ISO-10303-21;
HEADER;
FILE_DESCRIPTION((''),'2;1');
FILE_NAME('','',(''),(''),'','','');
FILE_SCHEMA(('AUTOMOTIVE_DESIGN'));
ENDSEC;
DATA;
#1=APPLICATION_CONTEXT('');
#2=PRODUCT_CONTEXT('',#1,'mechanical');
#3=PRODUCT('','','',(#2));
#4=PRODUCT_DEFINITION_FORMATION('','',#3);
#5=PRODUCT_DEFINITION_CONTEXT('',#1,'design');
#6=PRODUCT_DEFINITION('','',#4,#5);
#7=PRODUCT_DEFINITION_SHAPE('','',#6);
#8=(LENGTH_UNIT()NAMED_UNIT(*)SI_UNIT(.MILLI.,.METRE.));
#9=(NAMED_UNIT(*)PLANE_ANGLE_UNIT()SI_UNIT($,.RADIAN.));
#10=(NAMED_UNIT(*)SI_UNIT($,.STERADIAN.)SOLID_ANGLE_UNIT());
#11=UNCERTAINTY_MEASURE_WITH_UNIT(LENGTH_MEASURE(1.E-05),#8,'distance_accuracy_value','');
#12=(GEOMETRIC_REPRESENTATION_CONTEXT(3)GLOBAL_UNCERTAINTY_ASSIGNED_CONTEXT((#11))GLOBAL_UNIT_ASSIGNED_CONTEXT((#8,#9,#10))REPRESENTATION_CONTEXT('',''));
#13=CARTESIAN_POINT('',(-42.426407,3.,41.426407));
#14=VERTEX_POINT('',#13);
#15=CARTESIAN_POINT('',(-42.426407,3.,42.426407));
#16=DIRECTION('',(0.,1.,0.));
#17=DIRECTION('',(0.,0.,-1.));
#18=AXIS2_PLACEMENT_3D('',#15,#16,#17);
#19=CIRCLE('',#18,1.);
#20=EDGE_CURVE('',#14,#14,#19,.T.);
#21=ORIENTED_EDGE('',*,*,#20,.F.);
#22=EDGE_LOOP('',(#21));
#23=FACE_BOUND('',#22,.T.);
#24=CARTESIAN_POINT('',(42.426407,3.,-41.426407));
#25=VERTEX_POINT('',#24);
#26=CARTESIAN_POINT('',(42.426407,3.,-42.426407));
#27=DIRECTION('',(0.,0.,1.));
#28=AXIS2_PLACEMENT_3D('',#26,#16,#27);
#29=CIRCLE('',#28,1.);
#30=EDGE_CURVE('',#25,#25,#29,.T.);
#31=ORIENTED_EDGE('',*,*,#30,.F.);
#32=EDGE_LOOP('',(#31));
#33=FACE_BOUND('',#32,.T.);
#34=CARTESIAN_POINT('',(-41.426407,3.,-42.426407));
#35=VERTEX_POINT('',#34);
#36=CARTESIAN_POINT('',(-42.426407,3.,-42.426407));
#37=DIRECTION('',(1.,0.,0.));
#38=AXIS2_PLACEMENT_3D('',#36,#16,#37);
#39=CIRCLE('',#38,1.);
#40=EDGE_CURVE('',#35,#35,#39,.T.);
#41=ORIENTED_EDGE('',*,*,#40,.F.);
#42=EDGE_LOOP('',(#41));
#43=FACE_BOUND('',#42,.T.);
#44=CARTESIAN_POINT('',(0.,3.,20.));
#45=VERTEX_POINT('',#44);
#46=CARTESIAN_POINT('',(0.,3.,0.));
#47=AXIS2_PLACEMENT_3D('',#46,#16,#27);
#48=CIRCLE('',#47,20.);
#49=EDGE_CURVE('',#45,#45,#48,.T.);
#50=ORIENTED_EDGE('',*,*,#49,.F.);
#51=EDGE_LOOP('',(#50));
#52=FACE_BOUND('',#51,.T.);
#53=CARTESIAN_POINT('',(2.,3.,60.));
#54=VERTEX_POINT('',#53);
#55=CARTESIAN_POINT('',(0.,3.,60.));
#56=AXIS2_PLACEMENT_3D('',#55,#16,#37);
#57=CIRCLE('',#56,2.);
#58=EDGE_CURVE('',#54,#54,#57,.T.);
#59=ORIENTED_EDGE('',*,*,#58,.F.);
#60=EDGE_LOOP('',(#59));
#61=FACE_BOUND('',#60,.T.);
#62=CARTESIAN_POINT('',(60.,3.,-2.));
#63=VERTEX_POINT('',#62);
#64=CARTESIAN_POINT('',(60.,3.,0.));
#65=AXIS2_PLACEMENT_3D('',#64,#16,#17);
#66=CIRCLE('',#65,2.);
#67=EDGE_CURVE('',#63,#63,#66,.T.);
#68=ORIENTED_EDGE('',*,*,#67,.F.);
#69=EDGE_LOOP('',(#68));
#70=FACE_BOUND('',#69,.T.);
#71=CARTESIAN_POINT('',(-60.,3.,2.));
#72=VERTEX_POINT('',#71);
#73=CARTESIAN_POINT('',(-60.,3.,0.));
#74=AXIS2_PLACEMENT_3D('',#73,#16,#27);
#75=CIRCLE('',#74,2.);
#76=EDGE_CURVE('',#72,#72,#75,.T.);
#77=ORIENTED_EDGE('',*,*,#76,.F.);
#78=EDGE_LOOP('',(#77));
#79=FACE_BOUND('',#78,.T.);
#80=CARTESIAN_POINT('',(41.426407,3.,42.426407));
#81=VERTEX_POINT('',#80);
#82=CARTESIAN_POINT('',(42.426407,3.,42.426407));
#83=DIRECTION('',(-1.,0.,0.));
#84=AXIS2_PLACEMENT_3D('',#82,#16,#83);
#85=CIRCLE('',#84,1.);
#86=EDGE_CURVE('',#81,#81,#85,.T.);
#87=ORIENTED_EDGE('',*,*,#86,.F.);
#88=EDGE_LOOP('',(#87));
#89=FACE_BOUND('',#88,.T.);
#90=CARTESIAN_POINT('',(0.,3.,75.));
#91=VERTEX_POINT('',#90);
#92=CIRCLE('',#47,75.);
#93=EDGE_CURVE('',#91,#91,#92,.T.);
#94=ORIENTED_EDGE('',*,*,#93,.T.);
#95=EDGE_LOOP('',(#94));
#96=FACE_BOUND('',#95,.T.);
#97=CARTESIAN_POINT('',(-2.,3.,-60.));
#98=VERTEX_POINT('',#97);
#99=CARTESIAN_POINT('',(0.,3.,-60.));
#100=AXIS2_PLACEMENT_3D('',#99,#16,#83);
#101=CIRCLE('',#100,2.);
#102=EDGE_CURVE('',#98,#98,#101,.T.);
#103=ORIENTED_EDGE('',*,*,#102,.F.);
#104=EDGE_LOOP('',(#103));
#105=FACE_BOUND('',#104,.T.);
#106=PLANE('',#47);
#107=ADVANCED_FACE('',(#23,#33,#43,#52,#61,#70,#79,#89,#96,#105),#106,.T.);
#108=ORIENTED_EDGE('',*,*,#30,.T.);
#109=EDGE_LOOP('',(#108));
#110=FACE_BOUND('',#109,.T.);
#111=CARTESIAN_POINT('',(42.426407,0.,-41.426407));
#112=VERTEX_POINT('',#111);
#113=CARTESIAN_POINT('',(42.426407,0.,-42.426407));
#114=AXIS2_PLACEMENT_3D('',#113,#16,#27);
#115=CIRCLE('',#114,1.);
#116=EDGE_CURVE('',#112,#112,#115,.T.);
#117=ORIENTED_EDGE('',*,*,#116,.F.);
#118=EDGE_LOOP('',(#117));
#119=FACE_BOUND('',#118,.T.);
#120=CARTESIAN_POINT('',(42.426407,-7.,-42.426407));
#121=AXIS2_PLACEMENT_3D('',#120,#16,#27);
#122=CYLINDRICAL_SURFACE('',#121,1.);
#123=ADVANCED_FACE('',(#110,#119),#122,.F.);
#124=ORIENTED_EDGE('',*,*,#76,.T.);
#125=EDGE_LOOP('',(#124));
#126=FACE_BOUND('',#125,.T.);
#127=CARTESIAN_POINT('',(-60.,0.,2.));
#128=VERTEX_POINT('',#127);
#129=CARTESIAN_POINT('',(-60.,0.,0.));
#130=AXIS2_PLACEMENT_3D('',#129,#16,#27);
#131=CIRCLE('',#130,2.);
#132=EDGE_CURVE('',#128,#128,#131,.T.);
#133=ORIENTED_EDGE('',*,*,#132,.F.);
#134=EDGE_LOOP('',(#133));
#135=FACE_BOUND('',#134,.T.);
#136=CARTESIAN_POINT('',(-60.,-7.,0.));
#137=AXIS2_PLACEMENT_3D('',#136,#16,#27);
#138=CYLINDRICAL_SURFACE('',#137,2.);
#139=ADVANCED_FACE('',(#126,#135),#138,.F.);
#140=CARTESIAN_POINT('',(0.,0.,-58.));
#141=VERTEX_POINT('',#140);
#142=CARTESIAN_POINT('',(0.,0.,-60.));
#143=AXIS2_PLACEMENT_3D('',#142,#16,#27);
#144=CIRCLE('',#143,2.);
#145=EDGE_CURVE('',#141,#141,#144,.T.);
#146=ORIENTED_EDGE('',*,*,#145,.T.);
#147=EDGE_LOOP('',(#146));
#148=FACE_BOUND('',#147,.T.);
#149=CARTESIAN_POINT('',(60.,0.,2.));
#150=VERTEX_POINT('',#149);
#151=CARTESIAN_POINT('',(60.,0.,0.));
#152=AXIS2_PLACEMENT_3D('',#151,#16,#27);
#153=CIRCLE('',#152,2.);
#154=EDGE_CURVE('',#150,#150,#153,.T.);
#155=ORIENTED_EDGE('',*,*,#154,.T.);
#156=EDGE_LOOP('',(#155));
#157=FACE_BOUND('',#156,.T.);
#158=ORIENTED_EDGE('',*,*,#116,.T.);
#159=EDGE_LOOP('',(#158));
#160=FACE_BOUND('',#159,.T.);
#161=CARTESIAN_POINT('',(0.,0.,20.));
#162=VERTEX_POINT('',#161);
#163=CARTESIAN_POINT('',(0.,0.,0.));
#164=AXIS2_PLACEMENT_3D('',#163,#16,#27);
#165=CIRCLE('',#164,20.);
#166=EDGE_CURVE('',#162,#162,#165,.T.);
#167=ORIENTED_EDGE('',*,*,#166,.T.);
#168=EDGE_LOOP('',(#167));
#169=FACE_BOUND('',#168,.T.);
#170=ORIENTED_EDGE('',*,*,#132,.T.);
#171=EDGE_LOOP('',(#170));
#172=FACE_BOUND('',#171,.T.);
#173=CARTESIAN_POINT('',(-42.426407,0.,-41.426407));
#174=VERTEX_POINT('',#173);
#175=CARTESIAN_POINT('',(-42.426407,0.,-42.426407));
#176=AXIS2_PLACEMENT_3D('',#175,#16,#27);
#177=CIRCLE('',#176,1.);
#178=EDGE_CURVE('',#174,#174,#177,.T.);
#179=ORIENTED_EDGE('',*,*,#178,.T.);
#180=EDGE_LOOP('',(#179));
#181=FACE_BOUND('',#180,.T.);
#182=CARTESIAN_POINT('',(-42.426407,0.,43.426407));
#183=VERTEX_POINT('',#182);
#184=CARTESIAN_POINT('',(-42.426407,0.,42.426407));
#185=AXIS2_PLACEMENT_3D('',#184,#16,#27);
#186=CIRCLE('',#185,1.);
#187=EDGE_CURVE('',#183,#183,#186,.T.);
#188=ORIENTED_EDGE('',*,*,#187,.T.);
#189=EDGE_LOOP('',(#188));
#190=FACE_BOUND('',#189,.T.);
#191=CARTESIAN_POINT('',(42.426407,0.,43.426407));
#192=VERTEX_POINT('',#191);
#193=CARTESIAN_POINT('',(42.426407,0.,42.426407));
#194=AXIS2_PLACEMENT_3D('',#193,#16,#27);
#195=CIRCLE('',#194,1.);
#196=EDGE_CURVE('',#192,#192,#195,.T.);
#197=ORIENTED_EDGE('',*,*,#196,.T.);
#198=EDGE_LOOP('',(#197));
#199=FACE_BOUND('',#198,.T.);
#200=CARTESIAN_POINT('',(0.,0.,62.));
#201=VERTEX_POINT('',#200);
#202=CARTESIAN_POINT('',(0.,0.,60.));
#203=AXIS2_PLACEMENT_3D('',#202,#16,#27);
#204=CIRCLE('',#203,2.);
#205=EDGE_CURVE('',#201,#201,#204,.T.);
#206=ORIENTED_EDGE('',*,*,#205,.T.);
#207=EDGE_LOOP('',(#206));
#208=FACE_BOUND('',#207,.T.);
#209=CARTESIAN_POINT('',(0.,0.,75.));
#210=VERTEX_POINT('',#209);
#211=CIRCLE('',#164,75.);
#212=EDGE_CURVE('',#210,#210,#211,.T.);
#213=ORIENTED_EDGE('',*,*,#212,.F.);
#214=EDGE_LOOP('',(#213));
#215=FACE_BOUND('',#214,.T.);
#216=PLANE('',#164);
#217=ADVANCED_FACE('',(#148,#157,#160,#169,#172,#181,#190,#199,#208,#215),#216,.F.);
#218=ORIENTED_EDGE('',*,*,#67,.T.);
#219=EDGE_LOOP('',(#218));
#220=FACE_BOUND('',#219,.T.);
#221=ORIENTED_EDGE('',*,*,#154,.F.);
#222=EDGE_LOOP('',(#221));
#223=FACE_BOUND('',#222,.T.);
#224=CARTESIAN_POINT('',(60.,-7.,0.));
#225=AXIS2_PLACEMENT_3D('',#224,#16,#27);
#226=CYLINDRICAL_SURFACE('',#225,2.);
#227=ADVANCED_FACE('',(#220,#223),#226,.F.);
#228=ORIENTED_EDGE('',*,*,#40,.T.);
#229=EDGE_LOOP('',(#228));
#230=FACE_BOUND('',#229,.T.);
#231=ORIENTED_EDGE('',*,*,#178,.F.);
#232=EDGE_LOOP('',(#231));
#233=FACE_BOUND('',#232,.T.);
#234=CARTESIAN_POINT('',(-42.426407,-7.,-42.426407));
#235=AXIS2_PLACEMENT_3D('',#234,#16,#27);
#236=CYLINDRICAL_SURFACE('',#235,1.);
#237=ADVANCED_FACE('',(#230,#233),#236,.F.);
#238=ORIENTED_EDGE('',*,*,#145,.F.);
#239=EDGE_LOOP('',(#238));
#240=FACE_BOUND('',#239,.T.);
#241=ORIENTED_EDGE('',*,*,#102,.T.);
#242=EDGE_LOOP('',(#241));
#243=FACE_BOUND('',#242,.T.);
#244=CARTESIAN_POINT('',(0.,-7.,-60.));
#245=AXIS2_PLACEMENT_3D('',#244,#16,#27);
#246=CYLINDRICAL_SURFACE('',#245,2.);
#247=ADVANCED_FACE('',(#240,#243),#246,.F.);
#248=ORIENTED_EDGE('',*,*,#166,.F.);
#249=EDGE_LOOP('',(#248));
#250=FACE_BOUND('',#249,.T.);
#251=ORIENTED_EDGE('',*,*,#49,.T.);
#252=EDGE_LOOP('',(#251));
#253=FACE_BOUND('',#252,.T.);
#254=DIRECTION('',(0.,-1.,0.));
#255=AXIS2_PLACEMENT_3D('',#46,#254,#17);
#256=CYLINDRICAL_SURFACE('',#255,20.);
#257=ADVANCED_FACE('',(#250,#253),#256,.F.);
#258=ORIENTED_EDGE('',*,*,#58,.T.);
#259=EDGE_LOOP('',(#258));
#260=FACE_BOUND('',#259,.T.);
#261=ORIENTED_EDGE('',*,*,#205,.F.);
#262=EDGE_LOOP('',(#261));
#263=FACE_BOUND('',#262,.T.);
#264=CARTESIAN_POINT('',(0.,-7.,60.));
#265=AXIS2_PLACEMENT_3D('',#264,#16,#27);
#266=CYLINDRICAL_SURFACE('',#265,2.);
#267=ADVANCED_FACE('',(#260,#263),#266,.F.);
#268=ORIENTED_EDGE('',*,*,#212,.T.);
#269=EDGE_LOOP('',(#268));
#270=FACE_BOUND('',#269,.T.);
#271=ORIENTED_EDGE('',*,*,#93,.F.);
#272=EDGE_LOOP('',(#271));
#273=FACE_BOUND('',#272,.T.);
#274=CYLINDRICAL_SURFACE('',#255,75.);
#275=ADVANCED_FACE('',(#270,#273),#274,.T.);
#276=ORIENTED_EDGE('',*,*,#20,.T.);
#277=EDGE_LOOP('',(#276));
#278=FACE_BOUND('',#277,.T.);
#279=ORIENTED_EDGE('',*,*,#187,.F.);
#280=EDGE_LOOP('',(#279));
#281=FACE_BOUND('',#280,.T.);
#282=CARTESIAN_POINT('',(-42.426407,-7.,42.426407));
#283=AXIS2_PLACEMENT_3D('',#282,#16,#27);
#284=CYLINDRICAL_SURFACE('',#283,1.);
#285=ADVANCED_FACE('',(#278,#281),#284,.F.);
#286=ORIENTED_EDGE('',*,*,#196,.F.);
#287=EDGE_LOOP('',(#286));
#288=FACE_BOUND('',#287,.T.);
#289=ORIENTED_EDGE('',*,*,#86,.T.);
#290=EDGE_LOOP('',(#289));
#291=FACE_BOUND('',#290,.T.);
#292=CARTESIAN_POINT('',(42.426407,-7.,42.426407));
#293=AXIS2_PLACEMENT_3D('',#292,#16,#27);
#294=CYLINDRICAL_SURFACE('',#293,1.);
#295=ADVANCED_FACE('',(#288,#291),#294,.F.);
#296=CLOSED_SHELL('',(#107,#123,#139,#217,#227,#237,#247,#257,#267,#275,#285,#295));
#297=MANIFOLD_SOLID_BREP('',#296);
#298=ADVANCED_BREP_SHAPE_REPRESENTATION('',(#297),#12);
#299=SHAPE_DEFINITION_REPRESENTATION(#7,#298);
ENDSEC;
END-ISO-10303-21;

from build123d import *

# Parameters (mm, degrees)
SKETCH_1_R               = 75
SKETCH_1_R_2             = 20
EXTRUDE_1_DEPTH          = 3
SKETCH_2_R               = 1
CUT_EXTRUDE_3_DEPTH      = 10
PATTERN_CIRCULAR_3_COUNT = 4
SKETCH_3_R               = 2
CUT_EXTRUDE_4_DEPTH      = 10
PATTERN_CIRCULAR_4_COUNT = 4


with BuildPart() as part:
    # 草圖1 → 填料-伸長1 (new body)
    with BuildSketch(Plane(origin=(0, 0, 0), x_dir=(1, 0, 0), z_dir=(0, 1, 0))):
        with Locations(Location((0, 0, 0), (0, 0, 270))):
            Circle(SKETCH_1_R)
        with Locations(Location((0, 0, 0), (0, 0, 270))):
            Circle(SKETCH_1_R_2, mode=Mode.SUBTRACT)
    extrude(amount=EXTRUDE_1_DEPTH)

    # 草圖2 → 除料-伸長3 (cut)
    with BuildSketch(Plane(origin=(0, 3, 0), x_dir=(1, 0, 0), z_dir=(0, 1, 0))):
        with Locations(Location((42.426406871, 42.426406871, 0), (0, 0, 270))):
            Circle(SKETCH_2_R)
    cut_extrude_3 = extrude(amount=-CUT_EXTRUDE_3_DEPTH, mode=Mode.SUBTRACT)

    # 環狀複製排列3: 除料-伸長3 ×4 about axis
    pattern_circular_3_axis = Axis((0, 0, 0), (0, 1, 0))
    for i in range(1, PATTERN_CIRCULAR_3_COUNT):
        add(cut_extrude_3.rotate(pattern_circular_3_axis, i * 360 / PATTERN_CIRCULAR_3_COUNT), mode=Mode.SUBTRACT)

    # 草圖3 → 除料-伸長4 (cut)
    with BuildSketch(Plane(origin=(0, 3, 0), x_dir=(1, 0, 0), z_dir=(0, 1, 0))):
        with Locations(Location((-60, 0, 0), (0, 0, 270))):
            Circle(SKETCH_3_R)
    cut_extrude_4 = extrude(amount=-CUT_EXTRUDE_4_DEPTH, mode=Mode.SUBTRACT)

    # 環狀複製排列4: 除料-伸長4 ×4 about axis
    pattern_circular_4_axis = Axis((0, 0, 0), (0, 1, 0))
    for i in range(1, PATTERN_CIRCULAR_4_COUNT):
        add(cut_extrude_4.rotate(pattern_circular_4_axis, i * 360 / PATTERN_CIRCULAR_4_COUNT), mode=Mode.SUBTRACT)


solid = part.part
